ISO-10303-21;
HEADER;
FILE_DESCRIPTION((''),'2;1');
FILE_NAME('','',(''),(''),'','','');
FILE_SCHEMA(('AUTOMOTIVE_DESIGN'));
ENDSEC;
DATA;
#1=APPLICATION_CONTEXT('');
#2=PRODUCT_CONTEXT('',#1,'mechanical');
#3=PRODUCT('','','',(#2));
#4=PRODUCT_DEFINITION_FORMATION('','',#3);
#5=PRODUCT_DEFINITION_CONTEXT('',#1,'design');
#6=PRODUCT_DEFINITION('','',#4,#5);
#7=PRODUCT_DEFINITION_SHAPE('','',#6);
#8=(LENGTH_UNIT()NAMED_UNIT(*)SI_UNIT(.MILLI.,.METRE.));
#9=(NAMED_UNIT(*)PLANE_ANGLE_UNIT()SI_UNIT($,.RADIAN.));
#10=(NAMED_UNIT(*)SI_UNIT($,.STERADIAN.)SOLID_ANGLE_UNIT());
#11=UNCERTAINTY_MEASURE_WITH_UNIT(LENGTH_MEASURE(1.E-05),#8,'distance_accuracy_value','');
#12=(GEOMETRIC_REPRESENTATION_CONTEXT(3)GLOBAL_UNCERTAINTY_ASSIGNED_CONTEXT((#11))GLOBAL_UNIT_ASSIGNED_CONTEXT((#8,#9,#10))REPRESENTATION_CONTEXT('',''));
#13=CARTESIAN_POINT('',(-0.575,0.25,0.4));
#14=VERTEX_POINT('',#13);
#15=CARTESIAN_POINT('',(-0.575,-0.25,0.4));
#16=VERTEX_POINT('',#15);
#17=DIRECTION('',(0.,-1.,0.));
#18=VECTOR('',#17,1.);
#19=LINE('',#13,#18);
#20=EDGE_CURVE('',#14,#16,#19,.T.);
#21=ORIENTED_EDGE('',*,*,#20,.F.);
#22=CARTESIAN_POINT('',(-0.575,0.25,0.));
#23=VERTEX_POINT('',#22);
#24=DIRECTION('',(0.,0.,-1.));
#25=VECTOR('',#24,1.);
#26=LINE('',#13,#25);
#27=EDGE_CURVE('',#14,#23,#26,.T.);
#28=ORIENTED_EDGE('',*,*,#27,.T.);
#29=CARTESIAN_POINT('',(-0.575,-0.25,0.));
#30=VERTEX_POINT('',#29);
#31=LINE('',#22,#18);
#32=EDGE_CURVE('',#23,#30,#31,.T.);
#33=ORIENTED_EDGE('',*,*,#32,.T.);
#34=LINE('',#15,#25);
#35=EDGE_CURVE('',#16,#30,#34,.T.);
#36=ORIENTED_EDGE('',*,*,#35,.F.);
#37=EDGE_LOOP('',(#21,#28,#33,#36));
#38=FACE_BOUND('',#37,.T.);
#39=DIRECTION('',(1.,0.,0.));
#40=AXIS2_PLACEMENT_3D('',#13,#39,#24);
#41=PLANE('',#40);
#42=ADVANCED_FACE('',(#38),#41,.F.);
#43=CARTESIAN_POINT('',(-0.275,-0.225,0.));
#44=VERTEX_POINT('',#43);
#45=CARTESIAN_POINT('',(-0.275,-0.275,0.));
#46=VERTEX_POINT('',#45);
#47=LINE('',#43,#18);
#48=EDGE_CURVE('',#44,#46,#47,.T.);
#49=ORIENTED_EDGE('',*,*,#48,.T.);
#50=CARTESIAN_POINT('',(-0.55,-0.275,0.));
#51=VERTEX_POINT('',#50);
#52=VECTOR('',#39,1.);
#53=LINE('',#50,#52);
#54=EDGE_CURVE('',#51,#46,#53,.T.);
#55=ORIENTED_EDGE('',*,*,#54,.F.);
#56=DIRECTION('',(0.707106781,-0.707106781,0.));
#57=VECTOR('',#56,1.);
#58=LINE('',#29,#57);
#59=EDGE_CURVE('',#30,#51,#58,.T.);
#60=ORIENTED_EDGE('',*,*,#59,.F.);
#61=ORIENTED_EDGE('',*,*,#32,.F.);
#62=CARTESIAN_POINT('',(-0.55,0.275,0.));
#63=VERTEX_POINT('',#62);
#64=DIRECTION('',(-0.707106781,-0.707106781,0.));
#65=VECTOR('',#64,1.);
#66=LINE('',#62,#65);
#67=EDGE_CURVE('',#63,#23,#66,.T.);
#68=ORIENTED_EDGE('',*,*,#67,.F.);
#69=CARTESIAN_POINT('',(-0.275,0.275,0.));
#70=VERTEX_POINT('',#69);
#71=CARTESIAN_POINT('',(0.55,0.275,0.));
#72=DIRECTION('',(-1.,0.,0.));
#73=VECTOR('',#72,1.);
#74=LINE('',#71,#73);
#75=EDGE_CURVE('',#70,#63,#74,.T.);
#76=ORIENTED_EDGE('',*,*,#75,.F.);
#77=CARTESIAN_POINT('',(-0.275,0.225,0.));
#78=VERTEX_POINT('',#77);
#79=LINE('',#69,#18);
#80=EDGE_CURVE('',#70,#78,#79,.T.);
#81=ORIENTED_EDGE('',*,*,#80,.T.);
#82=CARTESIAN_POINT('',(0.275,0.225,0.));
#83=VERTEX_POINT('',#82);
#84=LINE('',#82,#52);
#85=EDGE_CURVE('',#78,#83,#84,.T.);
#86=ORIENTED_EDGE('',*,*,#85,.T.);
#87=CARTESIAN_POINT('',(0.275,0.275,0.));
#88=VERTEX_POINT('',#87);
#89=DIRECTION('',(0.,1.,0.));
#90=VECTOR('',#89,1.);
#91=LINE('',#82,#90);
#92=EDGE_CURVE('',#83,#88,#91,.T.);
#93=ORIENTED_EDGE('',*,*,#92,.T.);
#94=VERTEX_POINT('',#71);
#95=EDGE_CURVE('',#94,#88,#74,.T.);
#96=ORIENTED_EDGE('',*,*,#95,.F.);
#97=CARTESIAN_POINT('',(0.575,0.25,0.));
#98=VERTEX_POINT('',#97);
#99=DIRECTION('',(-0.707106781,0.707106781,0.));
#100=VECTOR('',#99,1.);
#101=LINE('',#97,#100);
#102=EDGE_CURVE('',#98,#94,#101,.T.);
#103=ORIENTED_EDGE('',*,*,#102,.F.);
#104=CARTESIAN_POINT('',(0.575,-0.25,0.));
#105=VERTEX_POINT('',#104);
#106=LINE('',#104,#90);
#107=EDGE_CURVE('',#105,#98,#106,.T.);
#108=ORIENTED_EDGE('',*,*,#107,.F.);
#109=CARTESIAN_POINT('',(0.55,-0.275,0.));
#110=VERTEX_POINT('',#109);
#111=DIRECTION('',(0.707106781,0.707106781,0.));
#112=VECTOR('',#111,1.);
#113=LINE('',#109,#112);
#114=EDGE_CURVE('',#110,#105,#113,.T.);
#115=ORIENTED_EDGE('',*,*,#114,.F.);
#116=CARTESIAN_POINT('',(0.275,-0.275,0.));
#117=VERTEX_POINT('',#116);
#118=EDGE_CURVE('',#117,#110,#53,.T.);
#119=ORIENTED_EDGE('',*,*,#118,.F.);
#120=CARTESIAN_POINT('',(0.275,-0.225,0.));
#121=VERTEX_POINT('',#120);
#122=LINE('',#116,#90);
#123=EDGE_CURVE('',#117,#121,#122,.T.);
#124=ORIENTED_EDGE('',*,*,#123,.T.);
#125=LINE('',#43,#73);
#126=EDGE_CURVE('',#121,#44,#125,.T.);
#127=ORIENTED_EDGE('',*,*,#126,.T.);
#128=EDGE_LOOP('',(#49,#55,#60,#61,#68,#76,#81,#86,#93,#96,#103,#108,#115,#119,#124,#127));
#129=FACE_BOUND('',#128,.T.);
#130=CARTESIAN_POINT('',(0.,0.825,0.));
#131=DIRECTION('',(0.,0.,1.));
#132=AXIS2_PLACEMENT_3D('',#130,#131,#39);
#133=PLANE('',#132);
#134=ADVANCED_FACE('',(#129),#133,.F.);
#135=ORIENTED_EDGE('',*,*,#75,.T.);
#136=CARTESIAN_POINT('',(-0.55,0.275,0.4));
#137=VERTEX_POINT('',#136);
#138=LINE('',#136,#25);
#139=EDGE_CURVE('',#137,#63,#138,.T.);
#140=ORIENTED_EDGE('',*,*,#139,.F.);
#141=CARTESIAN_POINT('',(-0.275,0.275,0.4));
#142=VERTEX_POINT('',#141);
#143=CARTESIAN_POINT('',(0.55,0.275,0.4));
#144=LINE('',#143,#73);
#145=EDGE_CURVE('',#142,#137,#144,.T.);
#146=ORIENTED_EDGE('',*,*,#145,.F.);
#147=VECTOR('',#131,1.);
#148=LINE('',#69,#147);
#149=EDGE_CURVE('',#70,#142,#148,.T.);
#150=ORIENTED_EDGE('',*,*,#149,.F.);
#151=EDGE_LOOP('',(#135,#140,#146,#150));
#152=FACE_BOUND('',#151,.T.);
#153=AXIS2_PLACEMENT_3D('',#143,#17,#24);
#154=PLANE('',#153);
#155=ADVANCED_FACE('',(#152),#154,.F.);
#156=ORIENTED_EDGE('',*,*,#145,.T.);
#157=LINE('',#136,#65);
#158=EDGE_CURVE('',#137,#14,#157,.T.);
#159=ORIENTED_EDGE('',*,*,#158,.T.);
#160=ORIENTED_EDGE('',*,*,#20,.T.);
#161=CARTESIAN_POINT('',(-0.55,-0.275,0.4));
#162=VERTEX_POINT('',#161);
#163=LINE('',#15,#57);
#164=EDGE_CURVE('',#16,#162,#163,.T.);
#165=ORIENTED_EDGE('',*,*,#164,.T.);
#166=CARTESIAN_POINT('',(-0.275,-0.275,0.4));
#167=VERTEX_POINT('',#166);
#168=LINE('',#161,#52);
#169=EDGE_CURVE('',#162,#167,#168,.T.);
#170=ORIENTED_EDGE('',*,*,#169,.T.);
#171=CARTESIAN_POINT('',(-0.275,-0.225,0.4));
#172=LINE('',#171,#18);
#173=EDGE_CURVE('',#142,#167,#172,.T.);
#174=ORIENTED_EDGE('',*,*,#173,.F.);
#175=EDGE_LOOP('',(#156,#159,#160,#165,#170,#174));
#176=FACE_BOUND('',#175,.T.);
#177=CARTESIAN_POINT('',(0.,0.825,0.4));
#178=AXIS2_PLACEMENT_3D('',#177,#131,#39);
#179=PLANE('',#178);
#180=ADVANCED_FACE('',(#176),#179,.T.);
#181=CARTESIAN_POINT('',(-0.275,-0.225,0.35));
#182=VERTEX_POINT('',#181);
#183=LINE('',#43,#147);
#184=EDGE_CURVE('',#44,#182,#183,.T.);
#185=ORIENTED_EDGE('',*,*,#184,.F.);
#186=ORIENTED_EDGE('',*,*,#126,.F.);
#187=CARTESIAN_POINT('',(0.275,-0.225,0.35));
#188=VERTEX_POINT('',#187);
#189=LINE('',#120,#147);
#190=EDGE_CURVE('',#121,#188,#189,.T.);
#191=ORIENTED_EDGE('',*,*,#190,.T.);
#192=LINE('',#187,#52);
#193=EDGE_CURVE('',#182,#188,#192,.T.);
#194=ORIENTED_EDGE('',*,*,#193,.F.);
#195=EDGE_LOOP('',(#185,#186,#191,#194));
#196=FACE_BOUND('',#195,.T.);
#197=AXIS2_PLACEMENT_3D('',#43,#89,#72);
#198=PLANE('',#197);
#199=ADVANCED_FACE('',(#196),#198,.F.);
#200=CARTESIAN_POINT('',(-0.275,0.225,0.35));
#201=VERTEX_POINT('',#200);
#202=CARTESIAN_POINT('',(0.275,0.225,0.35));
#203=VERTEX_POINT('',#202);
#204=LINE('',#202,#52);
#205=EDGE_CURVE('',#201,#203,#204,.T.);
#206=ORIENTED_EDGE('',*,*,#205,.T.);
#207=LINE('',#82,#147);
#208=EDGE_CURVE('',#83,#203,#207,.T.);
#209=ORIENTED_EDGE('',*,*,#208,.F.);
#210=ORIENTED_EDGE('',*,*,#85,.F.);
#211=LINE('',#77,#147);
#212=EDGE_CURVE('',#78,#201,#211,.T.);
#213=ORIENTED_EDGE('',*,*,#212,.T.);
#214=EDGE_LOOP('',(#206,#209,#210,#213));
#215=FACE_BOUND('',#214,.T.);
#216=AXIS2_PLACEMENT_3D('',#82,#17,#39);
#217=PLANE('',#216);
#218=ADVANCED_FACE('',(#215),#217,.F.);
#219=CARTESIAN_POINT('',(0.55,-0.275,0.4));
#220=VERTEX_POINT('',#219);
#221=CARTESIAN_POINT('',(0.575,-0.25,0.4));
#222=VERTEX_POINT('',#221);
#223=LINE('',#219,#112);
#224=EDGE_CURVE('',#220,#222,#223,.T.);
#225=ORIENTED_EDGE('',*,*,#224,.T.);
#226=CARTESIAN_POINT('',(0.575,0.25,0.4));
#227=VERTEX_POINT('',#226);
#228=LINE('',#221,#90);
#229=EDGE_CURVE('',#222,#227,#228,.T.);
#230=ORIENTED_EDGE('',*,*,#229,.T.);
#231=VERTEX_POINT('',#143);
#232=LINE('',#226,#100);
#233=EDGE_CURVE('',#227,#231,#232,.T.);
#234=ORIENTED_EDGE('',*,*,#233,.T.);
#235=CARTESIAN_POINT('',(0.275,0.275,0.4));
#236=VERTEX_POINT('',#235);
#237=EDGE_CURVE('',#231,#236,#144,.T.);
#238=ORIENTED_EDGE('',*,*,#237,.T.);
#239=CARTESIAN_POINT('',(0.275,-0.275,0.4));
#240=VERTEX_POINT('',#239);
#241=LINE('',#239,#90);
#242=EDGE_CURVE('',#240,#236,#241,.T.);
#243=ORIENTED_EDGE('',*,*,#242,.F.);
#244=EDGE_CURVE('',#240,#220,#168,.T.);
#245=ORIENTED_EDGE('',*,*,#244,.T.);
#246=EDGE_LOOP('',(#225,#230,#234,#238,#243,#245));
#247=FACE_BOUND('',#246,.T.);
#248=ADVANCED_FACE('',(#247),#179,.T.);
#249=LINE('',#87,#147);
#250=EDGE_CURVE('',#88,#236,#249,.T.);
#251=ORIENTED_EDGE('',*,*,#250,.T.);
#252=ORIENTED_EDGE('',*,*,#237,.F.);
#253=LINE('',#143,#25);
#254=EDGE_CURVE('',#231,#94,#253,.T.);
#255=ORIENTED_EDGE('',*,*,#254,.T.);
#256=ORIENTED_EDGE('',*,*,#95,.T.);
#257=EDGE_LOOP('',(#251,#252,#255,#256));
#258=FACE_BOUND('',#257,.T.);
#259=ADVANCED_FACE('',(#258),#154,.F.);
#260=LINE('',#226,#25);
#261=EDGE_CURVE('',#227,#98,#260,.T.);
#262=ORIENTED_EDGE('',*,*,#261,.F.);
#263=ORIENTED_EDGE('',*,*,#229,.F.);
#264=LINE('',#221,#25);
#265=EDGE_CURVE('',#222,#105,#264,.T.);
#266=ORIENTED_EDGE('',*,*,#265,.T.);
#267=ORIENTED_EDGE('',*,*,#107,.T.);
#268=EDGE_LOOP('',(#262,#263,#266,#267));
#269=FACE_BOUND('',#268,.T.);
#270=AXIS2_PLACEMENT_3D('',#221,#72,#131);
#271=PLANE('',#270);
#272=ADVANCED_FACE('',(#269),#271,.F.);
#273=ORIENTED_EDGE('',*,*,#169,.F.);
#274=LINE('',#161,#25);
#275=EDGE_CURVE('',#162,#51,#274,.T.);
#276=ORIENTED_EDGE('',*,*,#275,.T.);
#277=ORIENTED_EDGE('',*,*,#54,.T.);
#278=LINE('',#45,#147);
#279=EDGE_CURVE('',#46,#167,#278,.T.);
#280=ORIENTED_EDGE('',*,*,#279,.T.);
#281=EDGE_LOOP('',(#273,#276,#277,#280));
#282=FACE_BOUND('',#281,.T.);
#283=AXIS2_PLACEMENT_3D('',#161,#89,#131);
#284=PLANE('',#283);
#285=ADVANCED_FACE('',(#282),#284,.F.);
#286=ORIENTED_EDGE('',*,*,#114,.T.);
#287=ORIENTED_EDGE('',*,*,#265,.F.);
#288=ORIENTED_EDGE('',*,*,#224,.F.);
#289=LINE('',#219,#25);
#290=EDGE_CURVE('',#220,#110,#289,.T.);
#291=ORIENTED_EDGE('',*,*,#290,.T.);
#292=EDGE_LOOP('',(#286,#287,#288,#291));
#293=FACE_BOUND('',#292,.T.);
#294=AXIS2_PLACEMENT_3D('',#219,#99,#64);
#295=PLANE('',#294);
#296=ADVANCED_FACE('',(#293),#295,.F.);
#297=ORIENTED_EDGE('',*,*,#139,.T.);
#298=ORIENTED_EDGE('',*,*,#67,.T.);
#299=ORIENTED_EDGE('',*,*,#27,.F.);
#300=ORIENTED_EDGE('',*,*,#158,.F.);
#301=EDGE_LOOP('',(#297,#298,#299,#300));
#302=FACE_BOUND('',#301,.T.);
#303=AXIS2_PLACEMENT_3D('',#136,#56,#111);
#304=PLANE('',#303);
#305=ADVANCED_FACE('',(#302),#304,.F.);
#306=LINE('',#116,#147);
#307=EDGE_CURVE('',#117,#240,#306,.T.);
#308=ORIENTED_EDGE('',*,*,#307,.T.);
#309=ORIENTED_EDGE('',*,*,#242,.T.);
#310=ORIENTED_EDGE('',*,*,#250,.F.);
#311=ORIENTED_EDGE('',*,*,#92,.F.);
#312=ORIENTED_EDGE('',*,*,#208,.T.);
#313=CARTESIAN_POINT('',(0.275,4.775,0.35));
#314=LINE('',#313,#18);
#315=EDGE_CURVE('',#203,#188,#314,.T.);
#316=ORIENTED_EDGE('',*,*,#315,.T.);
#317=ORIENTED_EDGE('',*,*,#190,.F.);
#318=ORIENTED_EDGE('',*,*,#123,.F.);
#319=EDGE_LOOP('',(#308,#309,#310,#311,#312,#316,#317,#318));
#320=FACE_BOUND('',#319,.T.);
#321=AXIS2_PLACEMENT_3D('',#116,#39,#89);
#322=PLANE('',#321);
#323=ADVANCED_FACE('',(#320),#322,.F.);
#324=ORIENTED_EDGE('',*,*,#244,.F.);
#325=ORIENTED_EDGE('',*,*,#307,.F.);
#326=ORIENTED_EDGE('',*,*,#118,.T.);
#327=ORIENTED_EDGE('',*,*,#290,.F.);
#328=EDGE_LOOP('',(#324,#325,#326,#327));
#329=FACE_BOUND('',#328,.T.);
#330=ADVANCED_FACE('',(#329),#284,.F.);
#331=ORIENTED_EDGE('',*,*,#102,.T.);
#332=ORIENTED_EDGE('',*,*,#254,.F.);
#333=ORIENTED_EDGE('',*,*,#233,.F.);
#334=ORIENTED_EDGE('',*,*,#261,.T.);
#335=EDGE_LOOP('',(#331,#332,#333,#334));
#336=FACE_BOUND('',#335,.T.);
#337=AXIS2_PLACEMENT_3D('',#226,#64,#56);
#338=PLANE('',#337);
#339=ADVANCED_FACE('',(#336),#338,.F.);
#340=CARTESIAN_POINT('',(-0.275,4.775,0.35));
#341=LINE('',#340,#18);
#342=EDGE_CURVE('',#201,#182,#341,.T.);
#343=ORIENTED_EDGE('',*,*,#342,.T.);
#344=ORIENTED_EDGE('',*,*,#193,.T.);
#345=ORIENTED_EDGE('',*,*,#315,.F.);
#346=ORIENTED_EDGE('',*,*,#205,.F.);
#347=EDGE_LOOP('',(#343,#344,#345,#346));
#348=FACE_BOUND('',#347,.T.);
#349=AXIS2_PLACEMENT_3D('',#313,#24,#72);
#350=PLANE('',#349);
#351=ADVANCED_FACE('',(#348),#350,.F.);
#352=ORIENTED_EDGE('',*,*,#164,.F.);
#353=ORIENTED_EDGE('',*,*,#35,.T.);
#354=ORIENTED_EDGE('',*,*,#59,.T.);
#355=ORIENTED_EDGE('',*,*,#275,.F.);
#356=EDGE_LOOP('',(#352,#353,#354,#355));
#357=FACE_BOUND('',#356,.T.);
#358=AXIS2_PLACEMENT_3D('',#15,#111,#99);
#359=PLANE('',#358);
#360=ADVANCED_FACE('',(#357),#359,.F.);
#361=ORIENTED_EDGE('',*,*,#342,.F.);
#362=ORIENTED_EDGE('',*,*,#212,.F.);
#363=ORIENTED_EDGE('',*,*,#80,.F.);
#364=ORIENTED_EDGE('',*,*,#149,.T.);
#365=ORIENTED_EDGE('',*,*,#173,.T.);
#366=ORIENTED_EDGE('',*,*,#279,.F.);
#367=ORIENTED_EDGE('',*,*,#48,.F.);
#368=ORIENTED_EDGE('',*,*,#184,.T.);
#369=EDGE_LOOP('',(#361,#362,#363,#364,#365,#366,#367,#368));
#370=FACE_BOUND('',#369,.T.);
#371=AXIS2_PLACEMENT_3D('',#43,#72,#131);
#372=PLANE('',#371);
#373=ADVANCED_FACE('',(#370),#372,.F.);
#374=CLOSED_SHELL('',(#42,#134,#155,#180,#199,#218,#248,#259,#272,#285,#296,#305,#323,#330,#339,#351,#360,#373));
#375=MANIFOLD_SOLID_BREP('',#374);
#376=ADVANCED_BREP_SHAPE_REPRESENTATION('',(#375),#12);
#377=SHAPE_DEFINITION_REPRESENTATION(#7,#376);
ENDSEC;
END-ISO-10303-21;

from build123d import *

# Parameters (mm, degrees)
EXTRUDE1_DEPTH     = 0.4
SKETCH1_W          = 0.55
SKETCH1_H          = 0.05
CUT_EXTRUDE1_DEPTH = 1.4
SKETCH2_W          = 0.55
SKETCH2_H          = 0.05
CUT_EXTRUDE2_DEPTH = 5


with BuildPart() as part:
    # COMPONENT_OUTLINE → Extrude1 (new body)
    with BuildSketch(Plane.XY):
        Polygon((0.55, 0.275), (-0.55, 0.275), (-0.575, 0.25), (-0.575, -0.25), (-0.55, -0.275), (0.55, -0.275), (0.575, -0.25), (0.575, 0.25), align=None)
    extrude(amount=EXTRUDE1_DEPTH)

    # Sketch1 → Cut-Extrude1 (cut, through all)
    with BuildSketch(Plane.XY.offset(0.4)):
        with Locations((0, 0.25)):
            Rectangle(SKETCH1_W, SKETCH1_H)
        with Locations((0, -0.25)):
            Rectangle(SKETCH1_W, SKETCH1_H)
    extrude(amount=-CUT_EXTRUDE1_DEPTH, mode=Mode.SUBTRACT)

    # Sketch2 → Cut-Extrude2 (cut)
    with BuildSketch(Plane.XZ.offset(0.225)):
        with Locations((0, 0.375)):
            Rectangle(SKETCH2_W, SKETCH2_H)
    extrude(amount=-CUT_EXTRUDE2_DEPTH, mode=Mode.SUBTRACT)


solid = part.part
